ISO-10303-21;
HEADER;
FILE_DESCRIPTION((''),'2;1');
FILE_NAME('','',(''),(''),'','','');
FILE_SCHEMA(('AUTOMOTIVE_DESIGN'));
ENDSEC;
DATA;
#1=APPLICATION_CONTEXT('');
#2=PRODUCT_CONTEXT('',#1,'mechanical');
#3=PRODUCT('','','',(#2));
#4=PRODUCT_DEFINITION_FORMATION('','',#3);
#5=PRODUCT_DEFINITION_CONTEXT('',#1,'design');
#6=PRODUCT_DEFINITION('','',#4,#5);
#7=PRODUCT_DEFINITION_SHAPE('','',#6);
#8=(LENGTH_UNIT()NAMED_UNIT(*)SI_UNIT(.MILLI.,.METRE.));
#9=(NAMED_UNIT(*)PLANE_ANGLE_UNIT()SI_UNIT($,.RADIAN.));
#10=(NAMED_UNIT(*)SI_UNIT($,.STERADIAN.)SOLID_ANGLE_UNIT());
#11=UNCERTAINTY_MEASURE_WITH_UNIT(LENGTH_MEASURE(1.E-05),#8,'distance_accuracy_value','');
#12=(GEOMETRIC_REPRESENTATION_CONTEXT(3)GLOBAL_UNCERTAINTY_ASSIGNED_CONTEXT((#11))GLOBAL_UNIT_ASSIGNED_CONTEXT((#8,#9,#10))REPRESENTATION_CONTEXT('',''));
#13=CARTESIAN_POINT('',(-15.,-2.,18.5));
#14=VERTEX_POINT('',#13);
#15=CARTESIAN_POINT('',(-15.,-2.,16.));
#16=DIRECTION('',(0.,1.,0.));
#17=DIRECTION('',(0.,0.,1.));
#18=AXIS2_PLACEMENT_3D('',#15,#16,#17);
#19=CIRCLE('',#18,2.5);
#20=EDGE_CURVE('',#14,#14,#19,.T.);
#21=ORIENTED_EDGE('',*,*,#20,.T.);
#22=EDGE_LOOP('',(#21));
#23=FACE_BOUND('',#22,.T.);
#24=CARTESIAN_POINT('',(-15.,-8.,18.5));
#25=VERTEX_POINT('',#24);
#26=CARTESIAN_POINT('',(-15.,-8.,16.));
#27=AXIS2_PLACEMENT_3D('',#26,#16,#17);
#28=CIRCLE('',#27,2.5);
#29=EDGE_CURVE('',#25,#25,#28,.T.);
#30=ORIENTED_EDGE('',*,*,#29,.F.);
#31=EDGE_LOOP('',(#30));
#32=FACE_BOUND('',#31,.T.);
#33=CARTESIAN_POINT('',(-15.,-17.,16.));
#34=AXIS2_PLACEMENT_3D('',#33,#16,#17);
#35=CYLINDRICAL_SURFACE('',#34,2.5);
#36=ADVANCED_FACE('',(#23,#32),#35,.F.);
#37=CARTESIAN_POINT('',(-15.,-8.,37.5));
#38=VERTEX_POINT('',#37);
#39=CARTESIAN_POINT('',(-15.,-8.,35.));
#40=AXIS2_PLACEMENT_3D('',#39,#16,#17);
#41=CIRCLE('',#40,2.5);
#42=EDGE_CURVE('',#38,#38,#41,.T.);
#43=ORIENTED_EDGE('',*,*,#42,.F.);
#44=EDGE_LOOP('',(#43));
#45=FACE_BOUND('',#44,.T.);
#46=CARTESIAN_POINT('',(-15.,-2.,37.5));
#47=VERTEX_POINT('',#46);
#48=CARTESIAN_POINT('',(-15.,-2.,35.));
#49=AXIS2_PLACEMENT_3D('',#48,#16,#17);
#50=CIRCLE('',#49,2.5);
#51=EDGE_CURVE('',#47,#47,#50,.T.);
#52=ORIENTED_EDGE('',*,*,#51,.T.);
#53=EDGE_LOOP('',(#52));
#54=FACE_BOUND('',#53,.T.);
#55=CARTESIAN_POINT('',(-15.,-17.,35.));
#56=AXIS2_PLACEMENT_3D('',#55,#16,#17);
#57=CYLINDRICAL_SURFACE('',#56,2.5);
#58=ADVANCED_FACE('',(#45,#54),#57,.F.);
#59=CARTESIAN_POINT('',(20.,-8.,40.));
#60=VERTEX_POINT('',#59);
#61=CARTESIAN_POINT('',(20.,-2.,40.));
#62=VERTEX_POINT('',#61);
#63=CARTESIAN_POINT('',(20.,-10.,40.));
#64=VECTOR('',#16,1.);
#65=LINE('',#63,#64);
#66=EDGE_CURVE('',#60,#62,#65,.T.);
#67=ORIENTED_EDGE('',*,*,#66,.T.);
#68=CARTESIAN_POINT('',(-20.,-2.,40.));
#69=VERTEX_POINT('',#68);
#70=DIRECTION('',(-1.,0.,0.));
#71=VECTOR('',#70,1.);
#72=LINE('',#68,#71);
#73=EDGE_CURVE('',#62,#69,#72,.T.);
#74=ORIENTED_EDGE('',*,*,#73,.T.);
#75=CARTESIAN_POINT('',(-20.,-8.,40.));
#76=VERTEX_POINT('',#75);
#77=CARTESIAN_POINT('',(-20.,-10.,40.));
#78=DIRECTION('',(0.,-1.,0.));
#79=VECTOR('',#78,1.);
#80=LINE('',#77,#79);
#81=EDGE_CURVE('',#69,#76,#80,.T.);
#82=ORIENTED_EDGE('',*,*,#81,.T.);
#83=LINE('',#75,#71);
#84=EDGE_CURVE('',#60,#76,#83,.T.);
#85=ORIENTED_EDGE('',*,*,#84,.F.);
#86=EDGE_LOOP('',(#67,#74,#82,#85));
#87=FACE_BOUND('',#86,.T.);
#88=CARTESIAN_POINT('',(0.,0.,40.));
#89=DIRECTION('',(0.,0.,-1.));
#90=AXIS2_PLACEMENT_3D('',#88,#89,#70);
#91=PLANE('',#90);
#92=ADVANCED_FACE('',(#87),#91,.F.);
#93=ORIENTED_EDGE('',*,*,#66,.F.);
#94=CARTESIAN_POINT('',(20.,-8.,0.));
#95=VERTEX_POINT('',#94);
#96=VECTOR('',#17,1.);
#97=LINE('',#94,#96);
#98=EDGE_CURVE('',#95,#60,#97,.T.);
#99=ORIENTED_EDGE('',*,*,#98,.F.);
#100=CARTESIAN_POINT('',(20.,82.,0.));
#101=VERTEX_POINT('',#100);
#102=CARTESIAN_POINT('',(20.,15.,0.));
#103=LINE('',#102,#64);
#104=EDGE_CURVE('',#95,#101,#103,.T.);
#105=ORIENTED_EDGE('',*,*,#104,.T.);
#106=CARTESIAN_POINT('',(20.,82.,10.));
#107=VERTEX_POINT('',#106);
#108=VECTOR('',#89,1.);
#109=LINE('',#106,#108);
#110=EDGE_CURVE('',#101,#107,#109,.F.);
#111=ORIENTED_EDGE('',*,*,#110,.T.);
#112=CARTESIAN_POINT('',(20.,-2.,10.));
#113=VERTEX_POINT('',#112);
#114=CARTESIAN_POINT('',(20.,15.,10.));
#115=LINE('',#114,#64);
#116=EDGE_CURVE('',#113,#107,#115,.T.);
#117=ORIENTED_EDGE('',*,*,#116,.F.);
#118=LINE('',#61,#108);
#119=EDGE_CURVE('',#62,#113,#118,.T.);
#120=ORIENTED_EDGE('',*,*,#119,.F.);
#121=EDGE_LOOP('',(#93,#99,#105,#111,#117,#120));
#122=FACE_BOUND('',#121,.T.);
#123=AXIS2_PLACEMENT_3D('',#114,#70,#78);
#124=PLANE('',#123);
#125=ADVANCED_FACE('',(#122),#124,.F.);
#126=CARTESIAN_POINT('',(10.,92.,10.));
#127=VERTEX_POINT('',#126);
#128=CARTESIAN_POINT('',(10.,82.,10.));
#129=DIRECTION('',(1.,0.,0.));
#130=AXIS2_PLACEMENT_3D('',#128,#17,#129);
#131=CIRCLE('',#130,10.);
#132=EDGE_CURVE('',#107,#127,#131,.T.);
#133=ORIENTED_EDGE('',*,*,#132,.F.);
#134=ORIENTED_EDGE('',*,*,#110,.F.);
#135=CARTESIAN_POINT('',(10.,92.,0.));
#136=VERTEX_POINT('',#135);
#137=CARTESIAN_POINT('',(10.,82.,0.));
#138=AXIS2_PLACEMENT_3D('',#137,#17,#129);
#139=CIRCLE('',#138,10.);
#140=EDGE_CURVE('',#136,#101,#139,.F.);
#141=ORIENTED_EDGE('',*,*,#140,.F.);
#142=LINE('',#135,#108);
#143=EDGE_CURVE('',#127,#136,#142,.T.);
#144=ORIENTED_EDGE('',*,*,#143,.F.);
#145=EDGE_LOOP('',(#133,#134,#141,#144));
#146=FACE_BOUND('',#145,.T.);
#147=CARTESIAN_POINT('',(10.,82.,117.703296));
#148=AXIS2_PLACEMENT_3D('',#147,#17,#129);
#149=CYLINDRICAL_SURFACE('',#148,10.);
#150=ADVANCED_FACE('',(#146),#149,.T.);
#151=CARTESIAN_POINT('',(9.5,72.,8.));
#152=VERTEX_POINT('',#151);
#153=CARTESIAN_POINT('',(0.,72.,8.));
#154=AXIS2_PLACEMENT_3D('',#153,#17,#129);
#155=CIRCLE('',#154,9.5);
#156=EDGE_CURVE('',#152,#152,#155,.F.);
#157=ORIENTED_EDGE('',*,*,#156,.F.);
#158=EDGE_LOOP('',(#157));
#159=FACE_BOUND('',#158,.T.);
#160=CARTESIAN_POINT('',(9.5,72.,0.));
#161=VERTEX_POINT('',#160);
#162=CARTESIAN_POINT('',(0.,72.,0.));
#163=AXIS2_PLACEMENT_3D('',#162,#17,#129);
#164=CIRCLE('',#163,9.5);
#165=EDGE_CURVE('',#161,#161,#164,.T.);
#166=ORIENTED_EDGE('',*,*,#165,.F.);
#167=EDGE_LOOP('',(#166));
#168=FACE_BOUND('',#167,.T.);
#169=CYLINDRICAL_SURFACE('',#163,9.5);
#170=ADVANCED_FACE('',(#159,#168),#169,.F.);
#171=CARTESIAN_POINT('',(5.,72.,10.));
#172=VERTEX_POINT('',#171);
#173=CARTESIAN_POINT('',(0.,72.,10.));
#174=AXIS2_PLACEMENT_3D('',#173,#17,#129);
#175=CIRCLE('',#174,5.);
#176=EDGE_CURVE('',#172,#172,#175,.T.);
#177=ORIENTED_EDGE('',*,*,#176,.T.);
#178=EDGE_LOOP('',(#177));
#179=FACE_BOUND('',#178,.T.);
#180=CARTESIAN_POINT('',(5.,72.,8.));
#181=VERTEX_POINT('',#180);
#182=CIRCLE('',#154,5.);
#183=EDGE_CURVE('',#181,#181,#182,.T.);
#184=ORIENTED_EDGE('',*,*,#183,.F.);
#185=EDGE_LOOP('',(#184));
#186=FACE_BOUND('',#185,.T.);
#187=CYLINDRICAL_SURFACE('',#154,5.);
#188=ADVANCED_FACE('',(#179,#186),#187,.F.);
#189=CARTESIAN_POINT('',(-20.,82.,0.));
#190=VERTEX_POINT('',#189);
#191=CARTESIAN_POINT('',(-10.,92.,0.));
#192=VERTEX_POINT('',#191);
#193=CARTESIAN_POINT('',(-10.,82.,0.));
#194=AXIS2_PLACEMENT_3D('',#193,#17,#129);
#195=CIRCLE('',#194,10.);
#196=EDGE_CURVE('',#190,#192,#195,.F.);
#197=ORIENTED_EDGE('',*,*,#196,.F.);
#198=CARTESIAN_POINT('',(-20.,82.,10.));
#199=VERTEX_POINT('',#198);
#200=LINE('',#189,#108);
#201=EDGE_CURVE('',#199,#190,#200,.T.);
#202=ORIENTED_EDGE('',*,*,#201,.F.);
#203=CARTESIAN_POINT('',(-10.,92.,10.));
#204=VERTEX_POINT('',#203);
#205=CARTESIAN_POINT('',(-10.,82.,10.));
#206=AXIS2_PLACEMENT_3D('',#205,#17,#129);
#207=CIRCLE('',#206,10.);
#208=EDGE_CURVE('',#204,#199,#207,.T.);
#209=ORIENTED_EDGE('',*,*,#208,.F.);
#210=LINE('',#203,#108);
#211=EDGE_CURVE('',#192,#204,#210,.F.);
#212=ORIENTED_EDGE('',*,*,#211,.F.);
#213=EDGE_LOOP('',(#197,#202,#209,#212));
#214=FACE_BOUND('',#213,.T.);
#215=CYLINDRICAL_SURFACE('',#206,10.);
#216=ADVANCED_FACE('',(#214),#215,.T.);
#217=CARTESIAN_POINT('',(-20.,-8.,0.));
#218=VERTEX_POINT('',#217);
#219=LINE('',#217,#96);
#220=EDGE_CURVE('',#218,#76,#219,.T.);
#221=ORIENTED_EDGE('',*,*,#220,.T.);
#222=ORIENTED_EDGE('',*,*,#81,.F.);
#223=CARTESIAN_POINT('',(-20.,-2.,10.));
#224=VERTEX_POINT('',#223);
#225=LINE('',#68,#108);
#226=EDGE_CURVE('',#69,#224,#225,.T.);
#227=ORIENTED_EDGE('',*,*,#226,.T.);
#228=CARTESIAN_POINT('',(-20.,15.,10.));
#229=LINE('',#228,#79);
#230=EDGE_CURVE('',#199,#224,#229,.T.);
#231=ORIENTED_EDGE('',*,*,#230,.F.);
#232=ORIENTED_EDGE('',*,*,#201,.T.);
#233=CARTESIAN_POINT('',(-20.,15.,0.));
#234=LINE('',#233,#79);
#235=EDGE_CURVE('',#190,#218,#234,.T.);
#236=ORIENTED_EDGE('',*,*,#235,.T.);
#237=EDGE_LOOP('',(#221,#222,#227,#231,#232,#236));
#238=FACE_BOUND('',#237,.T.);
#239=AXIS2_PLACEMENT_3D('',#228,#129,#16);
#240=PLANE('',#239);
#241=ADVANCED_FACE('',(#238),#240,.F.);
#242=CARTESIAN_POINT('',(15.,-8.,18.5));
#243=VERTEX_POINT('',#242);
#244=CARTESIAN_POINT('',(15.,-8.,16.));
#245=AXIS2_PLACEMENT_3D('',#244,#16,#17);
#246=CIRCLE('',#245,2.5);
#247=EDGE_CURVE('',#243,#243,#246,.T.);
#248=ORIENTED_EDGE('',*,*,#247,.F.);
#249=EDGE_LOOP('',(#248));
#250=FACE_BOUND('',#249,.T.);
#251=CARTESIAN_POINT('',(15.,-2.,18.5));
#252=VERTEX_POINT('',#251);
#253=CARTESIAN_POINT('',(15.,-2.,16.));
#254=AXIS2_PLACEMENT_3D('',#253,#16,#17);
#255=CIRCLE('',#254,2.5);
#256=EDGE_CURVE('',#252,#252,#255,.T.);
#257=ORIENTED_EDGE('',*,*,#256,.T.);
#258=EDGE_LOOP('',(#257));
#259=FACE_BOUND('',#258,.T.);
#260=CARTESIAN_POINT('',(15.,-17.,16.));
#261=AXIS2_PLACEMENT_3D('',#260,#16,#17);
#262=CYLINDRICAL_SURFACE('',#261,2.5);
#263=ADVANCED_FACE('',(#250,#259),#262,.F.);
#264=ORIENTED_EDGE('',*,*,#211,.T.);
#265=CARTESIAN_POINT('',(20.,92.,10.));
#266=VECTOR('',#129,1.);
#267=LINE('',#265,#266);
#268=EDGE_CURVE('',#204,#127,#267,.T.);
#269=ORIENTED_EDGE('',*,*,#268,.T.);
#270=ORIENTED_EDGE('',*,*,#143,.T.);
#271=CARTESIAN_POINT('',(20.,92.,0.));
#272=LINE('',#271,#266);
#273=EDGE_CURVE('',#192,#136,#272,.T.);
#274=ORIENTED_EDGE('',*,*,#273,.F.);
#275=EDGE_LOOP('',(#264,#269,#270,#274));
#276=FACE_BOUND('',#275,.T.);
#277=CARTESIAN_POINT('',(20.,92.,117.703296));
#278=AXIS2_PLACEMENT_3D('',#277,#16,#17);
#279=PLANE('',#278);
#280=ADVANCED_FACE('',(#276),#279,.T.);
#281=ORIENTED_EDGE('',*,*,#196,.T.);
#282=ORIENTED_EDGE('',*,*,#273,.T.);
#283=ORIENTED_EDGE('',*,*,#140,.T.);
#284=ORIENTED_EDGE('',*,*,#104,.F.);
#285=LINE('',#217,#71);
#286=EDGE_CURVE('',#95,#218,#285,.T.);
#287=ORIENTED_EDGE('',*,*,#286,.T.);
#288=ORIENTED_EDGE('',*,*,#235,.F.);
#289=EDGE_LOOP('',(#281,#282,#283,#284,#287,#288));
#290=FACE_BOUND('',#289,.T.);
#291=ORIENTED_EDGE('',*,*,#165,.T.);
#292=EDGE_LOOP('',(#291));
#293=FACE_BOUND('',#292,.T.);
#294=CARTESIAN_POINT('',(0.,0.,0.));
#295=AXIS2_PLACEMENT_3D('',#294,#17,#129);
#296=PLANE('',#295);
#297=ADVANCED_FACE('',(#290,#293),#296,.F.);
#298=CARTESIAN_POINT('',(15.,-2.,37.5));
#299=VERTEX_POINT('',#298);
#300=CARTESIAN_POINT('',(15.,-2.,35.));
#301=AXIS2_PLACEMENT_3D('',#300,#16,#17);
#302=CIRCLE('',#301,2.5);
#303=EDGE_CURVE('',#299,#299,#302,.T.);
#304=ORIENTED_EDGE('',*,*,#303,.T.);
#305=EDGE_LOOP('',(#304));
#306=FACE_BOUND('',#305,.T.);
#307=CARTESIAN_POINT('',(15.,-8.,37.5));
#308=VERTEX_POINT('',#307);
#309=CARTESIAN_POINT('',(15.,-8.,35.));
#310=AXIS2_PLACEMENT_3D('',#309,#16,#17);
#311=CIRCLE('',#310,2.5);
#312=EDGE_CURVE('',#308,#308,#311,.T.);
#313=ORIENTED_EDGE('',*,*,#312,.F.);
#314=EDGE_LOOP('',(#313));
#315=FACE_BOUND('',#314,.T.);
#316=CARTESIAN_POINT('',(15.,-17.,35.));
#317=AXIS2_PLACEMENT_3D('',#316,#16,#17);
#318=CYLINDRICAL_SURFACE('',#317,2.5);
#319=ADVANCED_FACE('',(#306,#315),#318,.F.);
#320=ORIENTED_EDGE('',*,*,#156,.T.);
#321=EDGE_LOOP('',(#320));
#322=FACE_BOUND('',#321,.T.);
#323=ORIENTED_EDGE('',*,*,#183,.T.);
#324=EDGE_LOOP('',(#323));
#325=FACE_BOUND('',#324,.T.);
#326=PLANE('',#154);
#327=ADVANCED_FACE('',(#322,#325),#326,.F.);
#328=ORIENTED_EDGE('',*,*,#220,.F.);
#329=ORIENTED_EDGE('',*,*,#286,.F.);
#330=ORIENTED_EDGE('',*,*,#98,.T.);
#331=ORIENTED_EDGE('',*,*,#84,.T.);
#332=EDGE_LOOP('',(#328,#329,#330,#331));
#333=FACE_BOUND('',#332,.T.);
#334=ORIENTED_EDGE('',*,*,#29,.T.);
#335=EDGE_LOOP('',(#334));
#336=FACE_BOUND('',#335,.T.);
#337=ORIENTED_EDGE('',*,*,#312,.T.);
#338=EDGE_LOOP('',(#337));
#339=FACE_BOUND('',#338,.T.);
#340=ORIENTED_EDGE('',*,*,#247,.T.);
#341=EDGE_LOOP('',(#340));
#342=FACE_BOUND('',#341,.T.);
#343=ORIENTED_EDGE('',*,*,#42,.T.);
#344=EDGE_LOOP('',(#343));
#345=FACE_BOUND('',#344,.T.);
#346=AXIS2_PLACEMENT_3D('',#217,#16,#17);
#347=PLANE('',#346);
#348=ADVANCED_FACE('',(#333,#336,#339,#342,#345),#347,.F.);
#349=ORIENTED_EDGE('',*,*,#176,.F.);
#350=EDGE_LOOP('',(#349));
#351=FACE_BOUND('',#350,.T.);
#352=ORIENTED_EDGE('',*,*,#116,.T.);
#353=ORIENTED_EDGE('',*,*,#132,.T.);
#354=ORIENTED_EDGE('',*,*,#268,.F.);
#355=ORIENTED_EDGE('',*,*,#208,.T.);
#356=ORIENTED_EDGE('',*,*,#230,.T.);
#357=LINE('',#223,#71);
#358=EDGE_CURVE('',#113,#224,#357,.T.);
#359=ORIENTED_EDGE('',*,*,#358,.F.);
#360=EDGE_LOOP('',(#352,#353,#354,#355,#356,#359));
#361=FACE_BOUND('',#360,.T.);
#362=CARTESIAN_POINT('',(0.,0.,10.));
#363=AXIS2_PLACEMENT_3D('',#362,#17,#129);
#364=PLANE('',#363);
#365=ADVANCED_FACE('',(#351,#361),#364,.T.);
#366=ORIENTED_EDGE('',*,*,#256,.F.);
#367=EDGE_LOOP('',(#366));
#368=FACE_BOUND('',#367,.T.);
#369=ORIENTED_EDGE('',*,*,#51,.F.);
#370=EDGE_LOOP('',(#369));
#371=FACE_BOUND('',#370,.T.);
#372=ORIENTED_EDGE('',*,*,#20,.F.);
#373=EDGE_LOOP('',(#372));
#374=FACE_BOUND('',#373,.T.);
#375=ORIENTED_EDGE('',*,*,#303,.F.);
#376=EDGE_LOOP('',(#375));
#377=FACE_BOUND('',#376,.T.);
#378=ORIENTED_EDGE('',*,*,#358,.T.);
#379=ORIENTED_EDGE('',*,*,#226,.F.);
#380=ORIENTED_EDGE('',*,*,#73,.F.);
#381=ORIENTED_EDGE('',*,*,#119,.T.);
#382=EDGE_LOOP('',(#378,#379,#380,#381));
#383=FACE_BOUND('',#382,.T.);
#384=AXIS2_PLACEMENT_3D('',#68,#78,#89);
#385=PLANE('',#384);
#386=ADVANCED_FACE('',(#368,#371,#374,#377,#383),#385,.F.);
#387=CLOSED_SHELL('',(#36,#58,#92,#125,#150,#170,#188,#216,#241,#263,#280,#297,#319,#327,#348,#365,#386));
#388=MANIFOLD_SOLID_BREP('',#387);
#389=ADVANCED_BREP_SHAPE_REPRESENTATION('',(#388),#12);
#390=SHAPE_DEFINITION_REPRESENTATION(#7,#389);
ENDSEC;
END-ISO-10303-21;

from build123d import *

# Parameters (mm, degrees)
SKETCH_1_W          = 40
SKETCH_1_H          = 30
EXTRUDE_1_DEPTH     = 10
SKETCH_2_W          = 20
SKETCH_2_H          = 5
CUT_EXTRUDE_1_DEPTH = 50
SKETCH_3_W          = 40
SKETCH_3_H          = 8
EXTRUDE_2_DEPTH     = 30
SKETCH_4_W          = 40
SKETCH_4_H          = 2
CUT_EXTRUDE_2_DEPTH = 48.16990566
SKETCH_5_R          = 2.5
CUT_EXTRUDE_3_DEPTH = 15
SKETCH_7_R          = 2.5
CUT_EXTRUDE_4_DEPTH = 15
SKETCH_8_W          = 40
SKETCH_8_H          = 100
EXTRUDE_3_DEPTH     = 10
SKETCH_9_R          = 5
CUT_EXTRUDE_5_DEPTH = 103.29369482
FILLET_1_R          = 10
SKETCH_13_R         = 9.5
CUT_EXTRUDE_8_DEPTH = 99.812954616
SKETCH_14_R         = 9.5
SKETCH_14_R_2       = 5
EXTRUDE_5_DEPTH     = 2


with BuildPart() as part:
    # 草图1 → 凸台-拉伸1 (new body)
    with BuildSketch(Plane.XY):
        Rectangle(SKETCH_1_W, SKETCH_1_H)
    extrude(amount=EXTRUDE_1_DEPTH)

    # 草图2 → 切除-拉伸1 (cut)
    with BuildSketch(Plane.XY.offset(10)):
        with BuildLine():
            ThreePointArc((-20, 12.5), (-19.267766953, 14.267766953), (-17.5, 15))
            Line((-17.5, 15), (-20, 15))
            Line((-20, 15), (-20, 12.5))
        make_face()
        with BuildLine():
            ThreePointArc((5, 5), (3.535533906, 8.535533906), (0, 10))
            Line((0, 10), (0, 0))
            ThreePointArc((0, 0), (3.535533906, 1.464466094), (5, 5))
        make_face()
        with BuildLine():
            Line((0, 0), (0, 10))
            ThreePointArc((0, 10), (-5, 5), (0, 0))
        make_face()
        with BuildLine():
            Line((20, 15), (17.5, 15))
            ThreePointArc((17.5, 15), (19.267766953, 14.267766953), (20, 12.5))
            Line((20, 12.5), (20, 15))
        make_face()
        with Locations((10, -12.5)):
            Rectangle(SKETCH_2_W, SKETCH_2_H)
        with Locations((-10, -12.5)):
            Rectangle(SKETCH_2_W, SKETCH_2_H)
    extrude(amount=-CUT_EXTRUDE_1_DEPTH, mode=Mode.SUBTRACT)

    # 草图3 → 凸台-拉伸2 (add)
    with BuildSketch(Plane.XY.offset(10)):
        with Locations((0, -6)):
            Rectangle(SKETCH_3_W, SKETCH_3_H)
    extrude(amount=EXTRUDE_2_DEPTH)

    # 草图4 → 切除-拉伸2 (cut, through all)
    with BuildSketch(Plane.XY.offset(40)):
        with Locations((0, -9)):
            Rectangle(SKETCH_4_W, SKETCH_4_H)
    extrude(amount=-CUT_EXTRUDE_2_DEPTH, mode=Mode.SUBTRACT)

    # 草图5 → 切除-拉伸3 (cut)
    with BuildSketch(Plane(origin=(0, -2, 0), x_dir=(1, 0, 0), z_dir=(0, 1, 0))):
        with Locations(Location((-15, -35, 0), (0, 0, 270))):
            Circle(SKETCH_5_R)
        with Locations(Location((15, -35, 0), (0, 0, 270))):
            Circle(SKETCH_5_R)
    extrude(amount=-CUT_EXTRUDE_3_DEPTH, mode=Mode.SUBTRACT)

    # 草图7 → 切除-拉伸4 (cut)
    with BuildSketch(Plane(origin=(0, -2, 0), x_dir=(1, 0, 0), z_dir=(0, 1, 0))):
        with Locations(Location((-15, -16, 0), (0, 0, 270))):
            Circle(SKETCH_7_R)
        with Locations(Location((15, -16, 0), (0, 0, 270))):
            Circle(SKETCH_7_R)
    extrude(amount=-CUT_EXTRUDE_4_DEPTH, mode=Mode.SUBTRACT)

    # 草图8 → 凸台-拉伸3 (add)
    with BuildSketch(Plane(origin=(0, 0, 0), x_dir=(-1, 0, 0), z_dir=(0, 0, -1))):
        with Locations((0, 42)):
            Rectangle(SKETCH_8_W, SKETCH_8_H)
    extrude(amount=-EXTRUDE_3_DEPTH)

    # 草图9 → 切除-拉伸5 (cut, through all)
    with BuildSketch(Plane(origin=(0, 0, 0), x_dir=(-1, 0, 0), z_dir=(0, 0, -1))):
        with Locations((0, 72)):
            Circle(SKETCH_9_R)
    extrude(amount=-CUT_EXTRUDE_5_DEPTH, mode=Mode.SUBTRACT)

    # 圆角1
    fillet_1_edges = [part.edges().sort_by_distance(p)[0] for p in [
        (-20, 92, 5),
        (20, 92, 5),
    ]]
    fillet(fillet_1_edges, radius=FILLET_1_R)

    # 草图13 → 切除-拉伸8 (cut, through all)
    with BuildSketch(Plane.XY.offset(10)):
        with Locations((0, 72)):
            Circle(SKETCH_13_R)
    extrude(amount=-CUT_EXTRUDE_8_DEPTH, mode=Mode.SUBTRACT)

    # 草图14 → 凸台-拉伸5 (add)
    with BuildSketch(Plane.XY.offset(10)):
        with Locations((0, 72)):
            Circle(SKETCH_14_R)
        with Locations((0, 72)):
            Circle(SKETCH_14_R_2, mode=Mode.SUBTRACT)
    extrude(amount=-EXTRUDE_5_DEPTH)


solid = part.part
